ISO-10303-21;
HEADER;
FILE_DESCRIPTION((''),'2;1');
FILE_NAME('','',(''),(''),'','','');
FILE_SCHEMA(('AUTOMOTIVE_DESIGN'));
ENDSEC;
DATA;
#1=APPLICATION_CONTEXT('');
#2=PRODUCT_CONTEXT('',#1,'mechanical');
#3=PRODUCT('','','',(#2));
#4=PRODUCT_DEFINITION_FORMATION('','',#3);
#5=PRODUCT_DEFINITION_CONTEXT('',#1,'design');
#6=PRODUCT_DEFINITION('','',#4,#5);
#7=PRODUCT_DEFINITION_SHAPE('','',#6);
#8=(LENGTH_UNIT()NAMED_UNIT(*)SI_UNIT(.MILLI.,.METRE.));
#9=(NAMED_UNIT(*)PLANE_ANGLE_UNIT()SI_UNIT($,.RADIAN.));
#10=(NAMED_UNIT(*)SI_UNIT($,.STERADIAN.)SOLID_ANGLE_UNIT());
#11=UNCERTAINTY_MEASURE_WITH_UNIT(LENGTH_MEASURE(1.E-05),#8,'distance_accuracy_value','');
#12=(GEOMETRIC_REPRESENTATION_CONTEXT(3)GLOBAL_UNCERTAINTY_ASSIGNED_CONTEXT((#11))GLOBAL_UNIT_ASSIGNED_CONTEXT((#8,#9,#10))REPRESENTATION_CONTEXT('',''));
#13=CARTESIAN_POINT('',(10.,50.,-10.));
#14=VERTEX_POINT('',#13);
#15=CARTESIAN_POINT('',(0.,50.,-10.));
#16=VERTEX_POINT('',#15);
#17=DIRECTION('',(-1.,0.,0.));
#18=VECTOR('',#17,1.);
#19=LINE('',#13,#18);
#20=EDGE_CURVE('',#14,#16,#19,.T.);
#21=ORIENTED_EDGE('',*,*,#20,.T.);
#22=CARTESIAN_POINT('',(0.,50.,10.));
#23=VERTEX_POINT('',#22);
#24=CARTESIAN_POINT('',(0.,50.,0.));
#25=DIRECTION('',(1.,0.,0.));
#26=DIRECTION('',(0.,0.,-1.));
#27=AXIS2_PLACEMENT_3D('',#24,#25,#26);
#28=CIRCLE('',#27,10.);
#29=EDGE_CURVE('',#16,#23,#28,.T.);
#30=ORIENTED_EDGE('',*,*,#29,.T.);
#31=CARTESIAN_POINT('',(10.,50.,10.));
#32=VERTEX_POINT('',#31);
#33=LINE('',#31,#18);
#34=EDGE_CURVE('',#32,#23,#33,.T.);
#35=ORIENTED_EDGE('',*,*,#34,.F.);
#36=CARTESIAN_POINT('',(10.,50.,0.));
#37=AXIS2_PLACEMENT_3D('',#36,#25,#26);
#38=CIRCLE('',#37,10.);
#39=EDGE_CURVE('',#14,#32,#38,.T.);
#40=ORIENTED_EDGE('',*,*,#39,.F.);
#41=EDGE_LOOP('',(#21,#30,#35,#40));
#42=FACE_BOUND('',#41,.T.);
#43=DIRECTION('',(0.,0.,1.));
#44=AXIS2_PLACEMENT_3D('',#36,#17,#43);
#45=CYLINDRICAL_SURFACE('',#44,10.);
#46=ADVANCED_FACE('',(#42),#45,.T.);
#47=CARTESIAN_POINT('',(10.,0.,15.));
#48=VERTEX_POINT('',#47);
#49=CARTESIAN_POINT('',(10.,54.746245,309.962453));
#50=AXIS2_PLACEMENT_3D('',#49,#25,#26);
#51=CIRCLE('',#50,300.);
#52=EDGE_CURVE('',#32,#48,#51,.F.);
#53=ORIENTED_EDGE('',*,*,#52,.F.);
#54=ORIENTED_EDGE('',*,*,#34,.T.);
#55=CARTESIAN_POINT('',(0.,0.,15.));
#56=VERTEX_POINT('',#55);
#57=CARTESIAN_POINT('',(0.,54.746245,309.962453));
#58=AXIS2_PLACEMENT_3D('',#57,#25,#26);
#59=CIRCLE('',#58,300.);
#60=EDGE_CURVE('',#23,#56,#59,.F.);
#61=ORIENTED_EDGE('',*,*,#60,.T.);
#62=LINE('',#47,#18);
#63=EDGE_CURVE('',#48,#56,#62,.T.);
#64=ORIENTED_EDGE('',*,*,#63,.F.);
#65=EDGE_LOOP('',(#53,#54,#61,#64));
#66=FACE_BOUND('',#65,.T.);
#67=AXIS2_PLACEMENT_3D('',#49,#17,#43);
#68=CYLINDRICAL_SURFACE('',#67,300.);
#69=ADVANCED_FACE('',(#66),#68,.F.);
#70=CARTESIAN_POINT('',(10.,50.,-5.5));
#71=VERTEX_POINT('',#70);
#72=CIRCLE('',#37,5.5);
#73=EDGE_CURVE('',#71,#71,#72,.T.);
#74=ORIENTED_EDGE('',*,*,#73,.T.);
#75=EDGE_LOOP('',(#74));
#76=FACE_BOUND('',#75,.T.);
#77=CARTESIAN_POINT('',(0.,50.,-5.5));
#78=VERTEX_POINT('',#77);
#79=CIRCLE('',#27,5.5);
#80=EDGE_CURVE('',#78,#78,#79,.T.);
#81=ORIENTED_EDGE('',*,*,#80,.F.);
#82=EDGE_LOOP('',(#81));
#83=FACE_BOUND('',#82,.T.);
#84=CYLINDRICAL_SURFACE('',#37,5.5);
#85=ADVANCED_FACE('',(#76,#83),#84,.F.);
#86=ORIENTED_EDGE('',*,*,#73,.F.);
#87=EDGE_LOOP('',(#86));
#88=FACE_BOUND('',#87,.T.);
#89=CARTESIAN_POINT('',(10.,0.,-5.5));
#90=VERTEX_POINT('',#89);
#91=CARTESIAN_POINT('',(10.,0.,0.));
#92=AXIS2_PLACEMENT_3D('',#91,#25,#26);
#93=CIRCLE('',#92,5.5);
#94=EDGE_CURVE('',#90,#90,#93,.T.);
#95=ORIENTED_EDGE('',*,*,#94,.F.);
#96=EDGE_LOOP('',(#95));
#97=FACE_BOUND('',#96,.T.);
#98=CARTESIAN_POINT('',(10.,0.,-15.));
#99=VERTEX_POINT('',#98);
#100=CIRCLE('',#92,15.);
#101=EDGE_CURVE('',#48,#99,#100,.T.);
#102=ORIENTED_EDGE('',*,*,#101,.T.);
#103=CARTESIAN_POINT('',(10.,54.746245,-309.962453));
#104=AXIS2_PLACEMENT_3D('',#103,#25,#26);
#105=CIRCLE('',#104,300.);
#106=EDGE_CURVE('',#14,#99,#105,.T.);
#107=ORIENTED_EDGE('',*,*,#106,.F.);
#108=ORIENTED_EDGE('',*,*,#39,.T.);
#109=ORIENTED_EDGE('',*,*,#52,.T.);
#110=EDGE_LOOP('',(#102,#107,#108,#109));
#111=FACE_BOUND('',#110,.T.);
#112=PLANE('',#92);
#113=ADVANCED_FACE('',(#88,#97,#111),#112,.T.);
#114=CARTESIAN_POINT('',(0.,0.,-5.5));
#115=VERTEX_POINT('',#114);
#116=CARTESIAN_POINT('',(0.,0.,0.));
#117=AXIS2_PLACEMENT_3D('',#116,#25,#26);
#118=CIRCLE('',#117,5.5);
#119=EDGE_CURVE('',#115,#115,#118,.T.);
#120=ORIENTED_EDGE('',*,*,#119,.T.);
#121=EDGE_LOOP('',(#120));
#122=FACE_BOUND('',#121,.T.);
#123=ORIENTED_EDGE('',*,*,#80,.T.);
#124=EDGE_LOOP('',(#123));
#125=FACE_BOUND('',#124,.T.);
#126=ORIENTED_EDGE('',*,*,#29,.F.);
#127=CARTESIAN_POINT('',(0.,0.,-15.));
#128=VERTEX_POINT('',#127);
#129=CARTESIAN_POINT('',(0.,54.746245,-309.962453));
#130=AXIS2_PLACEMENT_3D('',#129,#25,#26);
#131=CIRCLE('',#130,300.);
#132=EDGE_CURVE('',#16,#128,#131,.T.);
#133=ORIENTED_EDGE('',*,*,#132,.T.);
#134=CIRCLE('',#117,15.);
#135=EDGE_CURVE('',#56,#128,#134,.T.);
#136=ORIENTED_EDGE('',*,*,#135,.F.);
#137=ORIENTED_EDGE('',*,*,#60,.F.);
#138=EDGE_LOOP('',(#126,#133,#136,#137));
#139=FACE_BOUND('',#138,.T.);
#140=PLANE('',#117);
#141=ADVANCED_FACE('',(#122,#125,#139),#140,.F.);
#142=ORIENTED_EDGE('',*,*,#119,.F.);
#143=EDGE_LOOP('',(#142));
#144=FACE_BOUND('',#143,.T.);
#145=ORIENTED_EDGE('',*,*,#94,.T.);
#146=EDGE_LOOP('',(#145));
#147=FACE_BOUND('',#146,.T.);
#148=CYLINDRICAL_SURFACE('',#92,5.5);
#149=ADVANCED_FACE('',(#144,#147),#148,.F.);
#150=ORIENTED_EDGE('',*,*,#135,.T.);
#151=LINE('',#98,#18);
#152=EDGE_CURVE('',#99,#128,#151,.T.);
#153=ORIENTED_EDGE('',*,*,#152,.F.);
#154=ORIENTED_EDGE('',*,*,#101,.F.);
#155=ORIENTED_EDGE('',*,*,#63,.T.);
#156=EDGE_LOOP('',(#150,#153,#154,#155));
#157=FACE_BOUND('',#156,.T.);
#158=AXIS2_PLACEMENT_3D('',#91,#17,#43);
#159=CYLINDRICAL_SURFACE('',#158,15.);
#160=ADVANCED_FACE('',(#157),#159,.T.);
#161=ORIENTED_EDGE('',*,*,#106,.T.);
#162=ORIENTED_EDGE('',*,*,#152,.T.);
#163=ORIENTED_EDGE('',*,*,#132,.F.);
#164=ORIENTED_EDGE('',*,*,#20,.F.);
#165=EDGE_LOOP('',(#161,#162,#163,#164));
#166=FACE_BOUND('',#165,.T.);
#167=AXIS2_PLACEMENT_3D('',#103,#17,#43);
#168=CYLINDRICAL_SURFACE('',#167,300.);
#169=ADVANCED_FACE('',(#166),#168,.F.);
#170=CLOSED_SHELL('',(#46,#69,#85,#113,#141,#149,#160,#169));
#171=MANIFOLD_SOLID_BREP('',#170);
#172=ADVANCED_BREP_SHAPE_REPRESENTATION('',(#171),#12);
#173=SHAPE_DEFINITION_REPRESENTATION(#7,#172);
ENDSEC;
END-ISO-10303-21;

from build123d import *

# Parameters (mm, degrees)
SKETCH1_R                       = 10
BOSS_EXTRUDE1_DEPTH             = 10
M10_CLEARANCE_HOLE1_D           = 11
M10_CLEARANCE_HOLE1_ON_FACE_2_D = 11


with BuildPart() as part:
    # Sketch1 → Boss-Extrude1 (new body)
    with BuildSketch(Plane(origin=(0, 0, 0), x_dir=(0, 0, -1), z_dir=(1, 0, 0))):
        with BuildLine():
            ThreePointArc((-10, 50), (-11.202983752, 27.492262307), (-14.092449523, 5.138371963))
            ThreePointArc((-14.092449523, 5.138371963), (0, 15), (14.092449523, 5.138371963))
            ThreePointArc((14.092449523, 5.138371963), (11.202983752, 27.492262307), (10, 50))
            ThreePointArc((10, 50), (0, 40), (-10, 50))
        make_face()
        with Locations((0, 50)):
            Circle(SKETCH1_R)
        with BuildLine():
            ThreePointArc((-14.092449523, 5.138371963), (-14.535053081, 2.567212815), (-15, 0))
            ThreePointArc((-15, 0), (0, -15), (15, 0))
            ThreePointArc((15, 0), (14.535053081, 2.567212815), (14.092449523, 5.138371963))
            ThreePointArc((14.092449523, 5.138371963), (0, 15), (-14.092449523, 5.138371963))
        make_face()
    extrude(amount=BOSS_EXTRUDE1_DEPTH)

    # M10 Clearance Hole1 (through all)
    with Locations(Plane(origin=(10, 50, 0), x_dir=(0, 0, 1), z_dir=(1, 0, 0))):
        with Locations((0, 0), (0, 50)):
            Hole(M10_CLEARANCE_HOLE1_D / 2)

    # M10 Clearance Hole1 on face 2 (through all)
    with Locations(Plane(origin=(0, 0, 0), x_dir=(0, 0, -1), z_dir=(-1, 0, 0))):
        with Locations((0, 0)):
            Hole(M10_CLEARANCE_HOLE1_ON_FACE_2_D / 2)


solid = part.part
